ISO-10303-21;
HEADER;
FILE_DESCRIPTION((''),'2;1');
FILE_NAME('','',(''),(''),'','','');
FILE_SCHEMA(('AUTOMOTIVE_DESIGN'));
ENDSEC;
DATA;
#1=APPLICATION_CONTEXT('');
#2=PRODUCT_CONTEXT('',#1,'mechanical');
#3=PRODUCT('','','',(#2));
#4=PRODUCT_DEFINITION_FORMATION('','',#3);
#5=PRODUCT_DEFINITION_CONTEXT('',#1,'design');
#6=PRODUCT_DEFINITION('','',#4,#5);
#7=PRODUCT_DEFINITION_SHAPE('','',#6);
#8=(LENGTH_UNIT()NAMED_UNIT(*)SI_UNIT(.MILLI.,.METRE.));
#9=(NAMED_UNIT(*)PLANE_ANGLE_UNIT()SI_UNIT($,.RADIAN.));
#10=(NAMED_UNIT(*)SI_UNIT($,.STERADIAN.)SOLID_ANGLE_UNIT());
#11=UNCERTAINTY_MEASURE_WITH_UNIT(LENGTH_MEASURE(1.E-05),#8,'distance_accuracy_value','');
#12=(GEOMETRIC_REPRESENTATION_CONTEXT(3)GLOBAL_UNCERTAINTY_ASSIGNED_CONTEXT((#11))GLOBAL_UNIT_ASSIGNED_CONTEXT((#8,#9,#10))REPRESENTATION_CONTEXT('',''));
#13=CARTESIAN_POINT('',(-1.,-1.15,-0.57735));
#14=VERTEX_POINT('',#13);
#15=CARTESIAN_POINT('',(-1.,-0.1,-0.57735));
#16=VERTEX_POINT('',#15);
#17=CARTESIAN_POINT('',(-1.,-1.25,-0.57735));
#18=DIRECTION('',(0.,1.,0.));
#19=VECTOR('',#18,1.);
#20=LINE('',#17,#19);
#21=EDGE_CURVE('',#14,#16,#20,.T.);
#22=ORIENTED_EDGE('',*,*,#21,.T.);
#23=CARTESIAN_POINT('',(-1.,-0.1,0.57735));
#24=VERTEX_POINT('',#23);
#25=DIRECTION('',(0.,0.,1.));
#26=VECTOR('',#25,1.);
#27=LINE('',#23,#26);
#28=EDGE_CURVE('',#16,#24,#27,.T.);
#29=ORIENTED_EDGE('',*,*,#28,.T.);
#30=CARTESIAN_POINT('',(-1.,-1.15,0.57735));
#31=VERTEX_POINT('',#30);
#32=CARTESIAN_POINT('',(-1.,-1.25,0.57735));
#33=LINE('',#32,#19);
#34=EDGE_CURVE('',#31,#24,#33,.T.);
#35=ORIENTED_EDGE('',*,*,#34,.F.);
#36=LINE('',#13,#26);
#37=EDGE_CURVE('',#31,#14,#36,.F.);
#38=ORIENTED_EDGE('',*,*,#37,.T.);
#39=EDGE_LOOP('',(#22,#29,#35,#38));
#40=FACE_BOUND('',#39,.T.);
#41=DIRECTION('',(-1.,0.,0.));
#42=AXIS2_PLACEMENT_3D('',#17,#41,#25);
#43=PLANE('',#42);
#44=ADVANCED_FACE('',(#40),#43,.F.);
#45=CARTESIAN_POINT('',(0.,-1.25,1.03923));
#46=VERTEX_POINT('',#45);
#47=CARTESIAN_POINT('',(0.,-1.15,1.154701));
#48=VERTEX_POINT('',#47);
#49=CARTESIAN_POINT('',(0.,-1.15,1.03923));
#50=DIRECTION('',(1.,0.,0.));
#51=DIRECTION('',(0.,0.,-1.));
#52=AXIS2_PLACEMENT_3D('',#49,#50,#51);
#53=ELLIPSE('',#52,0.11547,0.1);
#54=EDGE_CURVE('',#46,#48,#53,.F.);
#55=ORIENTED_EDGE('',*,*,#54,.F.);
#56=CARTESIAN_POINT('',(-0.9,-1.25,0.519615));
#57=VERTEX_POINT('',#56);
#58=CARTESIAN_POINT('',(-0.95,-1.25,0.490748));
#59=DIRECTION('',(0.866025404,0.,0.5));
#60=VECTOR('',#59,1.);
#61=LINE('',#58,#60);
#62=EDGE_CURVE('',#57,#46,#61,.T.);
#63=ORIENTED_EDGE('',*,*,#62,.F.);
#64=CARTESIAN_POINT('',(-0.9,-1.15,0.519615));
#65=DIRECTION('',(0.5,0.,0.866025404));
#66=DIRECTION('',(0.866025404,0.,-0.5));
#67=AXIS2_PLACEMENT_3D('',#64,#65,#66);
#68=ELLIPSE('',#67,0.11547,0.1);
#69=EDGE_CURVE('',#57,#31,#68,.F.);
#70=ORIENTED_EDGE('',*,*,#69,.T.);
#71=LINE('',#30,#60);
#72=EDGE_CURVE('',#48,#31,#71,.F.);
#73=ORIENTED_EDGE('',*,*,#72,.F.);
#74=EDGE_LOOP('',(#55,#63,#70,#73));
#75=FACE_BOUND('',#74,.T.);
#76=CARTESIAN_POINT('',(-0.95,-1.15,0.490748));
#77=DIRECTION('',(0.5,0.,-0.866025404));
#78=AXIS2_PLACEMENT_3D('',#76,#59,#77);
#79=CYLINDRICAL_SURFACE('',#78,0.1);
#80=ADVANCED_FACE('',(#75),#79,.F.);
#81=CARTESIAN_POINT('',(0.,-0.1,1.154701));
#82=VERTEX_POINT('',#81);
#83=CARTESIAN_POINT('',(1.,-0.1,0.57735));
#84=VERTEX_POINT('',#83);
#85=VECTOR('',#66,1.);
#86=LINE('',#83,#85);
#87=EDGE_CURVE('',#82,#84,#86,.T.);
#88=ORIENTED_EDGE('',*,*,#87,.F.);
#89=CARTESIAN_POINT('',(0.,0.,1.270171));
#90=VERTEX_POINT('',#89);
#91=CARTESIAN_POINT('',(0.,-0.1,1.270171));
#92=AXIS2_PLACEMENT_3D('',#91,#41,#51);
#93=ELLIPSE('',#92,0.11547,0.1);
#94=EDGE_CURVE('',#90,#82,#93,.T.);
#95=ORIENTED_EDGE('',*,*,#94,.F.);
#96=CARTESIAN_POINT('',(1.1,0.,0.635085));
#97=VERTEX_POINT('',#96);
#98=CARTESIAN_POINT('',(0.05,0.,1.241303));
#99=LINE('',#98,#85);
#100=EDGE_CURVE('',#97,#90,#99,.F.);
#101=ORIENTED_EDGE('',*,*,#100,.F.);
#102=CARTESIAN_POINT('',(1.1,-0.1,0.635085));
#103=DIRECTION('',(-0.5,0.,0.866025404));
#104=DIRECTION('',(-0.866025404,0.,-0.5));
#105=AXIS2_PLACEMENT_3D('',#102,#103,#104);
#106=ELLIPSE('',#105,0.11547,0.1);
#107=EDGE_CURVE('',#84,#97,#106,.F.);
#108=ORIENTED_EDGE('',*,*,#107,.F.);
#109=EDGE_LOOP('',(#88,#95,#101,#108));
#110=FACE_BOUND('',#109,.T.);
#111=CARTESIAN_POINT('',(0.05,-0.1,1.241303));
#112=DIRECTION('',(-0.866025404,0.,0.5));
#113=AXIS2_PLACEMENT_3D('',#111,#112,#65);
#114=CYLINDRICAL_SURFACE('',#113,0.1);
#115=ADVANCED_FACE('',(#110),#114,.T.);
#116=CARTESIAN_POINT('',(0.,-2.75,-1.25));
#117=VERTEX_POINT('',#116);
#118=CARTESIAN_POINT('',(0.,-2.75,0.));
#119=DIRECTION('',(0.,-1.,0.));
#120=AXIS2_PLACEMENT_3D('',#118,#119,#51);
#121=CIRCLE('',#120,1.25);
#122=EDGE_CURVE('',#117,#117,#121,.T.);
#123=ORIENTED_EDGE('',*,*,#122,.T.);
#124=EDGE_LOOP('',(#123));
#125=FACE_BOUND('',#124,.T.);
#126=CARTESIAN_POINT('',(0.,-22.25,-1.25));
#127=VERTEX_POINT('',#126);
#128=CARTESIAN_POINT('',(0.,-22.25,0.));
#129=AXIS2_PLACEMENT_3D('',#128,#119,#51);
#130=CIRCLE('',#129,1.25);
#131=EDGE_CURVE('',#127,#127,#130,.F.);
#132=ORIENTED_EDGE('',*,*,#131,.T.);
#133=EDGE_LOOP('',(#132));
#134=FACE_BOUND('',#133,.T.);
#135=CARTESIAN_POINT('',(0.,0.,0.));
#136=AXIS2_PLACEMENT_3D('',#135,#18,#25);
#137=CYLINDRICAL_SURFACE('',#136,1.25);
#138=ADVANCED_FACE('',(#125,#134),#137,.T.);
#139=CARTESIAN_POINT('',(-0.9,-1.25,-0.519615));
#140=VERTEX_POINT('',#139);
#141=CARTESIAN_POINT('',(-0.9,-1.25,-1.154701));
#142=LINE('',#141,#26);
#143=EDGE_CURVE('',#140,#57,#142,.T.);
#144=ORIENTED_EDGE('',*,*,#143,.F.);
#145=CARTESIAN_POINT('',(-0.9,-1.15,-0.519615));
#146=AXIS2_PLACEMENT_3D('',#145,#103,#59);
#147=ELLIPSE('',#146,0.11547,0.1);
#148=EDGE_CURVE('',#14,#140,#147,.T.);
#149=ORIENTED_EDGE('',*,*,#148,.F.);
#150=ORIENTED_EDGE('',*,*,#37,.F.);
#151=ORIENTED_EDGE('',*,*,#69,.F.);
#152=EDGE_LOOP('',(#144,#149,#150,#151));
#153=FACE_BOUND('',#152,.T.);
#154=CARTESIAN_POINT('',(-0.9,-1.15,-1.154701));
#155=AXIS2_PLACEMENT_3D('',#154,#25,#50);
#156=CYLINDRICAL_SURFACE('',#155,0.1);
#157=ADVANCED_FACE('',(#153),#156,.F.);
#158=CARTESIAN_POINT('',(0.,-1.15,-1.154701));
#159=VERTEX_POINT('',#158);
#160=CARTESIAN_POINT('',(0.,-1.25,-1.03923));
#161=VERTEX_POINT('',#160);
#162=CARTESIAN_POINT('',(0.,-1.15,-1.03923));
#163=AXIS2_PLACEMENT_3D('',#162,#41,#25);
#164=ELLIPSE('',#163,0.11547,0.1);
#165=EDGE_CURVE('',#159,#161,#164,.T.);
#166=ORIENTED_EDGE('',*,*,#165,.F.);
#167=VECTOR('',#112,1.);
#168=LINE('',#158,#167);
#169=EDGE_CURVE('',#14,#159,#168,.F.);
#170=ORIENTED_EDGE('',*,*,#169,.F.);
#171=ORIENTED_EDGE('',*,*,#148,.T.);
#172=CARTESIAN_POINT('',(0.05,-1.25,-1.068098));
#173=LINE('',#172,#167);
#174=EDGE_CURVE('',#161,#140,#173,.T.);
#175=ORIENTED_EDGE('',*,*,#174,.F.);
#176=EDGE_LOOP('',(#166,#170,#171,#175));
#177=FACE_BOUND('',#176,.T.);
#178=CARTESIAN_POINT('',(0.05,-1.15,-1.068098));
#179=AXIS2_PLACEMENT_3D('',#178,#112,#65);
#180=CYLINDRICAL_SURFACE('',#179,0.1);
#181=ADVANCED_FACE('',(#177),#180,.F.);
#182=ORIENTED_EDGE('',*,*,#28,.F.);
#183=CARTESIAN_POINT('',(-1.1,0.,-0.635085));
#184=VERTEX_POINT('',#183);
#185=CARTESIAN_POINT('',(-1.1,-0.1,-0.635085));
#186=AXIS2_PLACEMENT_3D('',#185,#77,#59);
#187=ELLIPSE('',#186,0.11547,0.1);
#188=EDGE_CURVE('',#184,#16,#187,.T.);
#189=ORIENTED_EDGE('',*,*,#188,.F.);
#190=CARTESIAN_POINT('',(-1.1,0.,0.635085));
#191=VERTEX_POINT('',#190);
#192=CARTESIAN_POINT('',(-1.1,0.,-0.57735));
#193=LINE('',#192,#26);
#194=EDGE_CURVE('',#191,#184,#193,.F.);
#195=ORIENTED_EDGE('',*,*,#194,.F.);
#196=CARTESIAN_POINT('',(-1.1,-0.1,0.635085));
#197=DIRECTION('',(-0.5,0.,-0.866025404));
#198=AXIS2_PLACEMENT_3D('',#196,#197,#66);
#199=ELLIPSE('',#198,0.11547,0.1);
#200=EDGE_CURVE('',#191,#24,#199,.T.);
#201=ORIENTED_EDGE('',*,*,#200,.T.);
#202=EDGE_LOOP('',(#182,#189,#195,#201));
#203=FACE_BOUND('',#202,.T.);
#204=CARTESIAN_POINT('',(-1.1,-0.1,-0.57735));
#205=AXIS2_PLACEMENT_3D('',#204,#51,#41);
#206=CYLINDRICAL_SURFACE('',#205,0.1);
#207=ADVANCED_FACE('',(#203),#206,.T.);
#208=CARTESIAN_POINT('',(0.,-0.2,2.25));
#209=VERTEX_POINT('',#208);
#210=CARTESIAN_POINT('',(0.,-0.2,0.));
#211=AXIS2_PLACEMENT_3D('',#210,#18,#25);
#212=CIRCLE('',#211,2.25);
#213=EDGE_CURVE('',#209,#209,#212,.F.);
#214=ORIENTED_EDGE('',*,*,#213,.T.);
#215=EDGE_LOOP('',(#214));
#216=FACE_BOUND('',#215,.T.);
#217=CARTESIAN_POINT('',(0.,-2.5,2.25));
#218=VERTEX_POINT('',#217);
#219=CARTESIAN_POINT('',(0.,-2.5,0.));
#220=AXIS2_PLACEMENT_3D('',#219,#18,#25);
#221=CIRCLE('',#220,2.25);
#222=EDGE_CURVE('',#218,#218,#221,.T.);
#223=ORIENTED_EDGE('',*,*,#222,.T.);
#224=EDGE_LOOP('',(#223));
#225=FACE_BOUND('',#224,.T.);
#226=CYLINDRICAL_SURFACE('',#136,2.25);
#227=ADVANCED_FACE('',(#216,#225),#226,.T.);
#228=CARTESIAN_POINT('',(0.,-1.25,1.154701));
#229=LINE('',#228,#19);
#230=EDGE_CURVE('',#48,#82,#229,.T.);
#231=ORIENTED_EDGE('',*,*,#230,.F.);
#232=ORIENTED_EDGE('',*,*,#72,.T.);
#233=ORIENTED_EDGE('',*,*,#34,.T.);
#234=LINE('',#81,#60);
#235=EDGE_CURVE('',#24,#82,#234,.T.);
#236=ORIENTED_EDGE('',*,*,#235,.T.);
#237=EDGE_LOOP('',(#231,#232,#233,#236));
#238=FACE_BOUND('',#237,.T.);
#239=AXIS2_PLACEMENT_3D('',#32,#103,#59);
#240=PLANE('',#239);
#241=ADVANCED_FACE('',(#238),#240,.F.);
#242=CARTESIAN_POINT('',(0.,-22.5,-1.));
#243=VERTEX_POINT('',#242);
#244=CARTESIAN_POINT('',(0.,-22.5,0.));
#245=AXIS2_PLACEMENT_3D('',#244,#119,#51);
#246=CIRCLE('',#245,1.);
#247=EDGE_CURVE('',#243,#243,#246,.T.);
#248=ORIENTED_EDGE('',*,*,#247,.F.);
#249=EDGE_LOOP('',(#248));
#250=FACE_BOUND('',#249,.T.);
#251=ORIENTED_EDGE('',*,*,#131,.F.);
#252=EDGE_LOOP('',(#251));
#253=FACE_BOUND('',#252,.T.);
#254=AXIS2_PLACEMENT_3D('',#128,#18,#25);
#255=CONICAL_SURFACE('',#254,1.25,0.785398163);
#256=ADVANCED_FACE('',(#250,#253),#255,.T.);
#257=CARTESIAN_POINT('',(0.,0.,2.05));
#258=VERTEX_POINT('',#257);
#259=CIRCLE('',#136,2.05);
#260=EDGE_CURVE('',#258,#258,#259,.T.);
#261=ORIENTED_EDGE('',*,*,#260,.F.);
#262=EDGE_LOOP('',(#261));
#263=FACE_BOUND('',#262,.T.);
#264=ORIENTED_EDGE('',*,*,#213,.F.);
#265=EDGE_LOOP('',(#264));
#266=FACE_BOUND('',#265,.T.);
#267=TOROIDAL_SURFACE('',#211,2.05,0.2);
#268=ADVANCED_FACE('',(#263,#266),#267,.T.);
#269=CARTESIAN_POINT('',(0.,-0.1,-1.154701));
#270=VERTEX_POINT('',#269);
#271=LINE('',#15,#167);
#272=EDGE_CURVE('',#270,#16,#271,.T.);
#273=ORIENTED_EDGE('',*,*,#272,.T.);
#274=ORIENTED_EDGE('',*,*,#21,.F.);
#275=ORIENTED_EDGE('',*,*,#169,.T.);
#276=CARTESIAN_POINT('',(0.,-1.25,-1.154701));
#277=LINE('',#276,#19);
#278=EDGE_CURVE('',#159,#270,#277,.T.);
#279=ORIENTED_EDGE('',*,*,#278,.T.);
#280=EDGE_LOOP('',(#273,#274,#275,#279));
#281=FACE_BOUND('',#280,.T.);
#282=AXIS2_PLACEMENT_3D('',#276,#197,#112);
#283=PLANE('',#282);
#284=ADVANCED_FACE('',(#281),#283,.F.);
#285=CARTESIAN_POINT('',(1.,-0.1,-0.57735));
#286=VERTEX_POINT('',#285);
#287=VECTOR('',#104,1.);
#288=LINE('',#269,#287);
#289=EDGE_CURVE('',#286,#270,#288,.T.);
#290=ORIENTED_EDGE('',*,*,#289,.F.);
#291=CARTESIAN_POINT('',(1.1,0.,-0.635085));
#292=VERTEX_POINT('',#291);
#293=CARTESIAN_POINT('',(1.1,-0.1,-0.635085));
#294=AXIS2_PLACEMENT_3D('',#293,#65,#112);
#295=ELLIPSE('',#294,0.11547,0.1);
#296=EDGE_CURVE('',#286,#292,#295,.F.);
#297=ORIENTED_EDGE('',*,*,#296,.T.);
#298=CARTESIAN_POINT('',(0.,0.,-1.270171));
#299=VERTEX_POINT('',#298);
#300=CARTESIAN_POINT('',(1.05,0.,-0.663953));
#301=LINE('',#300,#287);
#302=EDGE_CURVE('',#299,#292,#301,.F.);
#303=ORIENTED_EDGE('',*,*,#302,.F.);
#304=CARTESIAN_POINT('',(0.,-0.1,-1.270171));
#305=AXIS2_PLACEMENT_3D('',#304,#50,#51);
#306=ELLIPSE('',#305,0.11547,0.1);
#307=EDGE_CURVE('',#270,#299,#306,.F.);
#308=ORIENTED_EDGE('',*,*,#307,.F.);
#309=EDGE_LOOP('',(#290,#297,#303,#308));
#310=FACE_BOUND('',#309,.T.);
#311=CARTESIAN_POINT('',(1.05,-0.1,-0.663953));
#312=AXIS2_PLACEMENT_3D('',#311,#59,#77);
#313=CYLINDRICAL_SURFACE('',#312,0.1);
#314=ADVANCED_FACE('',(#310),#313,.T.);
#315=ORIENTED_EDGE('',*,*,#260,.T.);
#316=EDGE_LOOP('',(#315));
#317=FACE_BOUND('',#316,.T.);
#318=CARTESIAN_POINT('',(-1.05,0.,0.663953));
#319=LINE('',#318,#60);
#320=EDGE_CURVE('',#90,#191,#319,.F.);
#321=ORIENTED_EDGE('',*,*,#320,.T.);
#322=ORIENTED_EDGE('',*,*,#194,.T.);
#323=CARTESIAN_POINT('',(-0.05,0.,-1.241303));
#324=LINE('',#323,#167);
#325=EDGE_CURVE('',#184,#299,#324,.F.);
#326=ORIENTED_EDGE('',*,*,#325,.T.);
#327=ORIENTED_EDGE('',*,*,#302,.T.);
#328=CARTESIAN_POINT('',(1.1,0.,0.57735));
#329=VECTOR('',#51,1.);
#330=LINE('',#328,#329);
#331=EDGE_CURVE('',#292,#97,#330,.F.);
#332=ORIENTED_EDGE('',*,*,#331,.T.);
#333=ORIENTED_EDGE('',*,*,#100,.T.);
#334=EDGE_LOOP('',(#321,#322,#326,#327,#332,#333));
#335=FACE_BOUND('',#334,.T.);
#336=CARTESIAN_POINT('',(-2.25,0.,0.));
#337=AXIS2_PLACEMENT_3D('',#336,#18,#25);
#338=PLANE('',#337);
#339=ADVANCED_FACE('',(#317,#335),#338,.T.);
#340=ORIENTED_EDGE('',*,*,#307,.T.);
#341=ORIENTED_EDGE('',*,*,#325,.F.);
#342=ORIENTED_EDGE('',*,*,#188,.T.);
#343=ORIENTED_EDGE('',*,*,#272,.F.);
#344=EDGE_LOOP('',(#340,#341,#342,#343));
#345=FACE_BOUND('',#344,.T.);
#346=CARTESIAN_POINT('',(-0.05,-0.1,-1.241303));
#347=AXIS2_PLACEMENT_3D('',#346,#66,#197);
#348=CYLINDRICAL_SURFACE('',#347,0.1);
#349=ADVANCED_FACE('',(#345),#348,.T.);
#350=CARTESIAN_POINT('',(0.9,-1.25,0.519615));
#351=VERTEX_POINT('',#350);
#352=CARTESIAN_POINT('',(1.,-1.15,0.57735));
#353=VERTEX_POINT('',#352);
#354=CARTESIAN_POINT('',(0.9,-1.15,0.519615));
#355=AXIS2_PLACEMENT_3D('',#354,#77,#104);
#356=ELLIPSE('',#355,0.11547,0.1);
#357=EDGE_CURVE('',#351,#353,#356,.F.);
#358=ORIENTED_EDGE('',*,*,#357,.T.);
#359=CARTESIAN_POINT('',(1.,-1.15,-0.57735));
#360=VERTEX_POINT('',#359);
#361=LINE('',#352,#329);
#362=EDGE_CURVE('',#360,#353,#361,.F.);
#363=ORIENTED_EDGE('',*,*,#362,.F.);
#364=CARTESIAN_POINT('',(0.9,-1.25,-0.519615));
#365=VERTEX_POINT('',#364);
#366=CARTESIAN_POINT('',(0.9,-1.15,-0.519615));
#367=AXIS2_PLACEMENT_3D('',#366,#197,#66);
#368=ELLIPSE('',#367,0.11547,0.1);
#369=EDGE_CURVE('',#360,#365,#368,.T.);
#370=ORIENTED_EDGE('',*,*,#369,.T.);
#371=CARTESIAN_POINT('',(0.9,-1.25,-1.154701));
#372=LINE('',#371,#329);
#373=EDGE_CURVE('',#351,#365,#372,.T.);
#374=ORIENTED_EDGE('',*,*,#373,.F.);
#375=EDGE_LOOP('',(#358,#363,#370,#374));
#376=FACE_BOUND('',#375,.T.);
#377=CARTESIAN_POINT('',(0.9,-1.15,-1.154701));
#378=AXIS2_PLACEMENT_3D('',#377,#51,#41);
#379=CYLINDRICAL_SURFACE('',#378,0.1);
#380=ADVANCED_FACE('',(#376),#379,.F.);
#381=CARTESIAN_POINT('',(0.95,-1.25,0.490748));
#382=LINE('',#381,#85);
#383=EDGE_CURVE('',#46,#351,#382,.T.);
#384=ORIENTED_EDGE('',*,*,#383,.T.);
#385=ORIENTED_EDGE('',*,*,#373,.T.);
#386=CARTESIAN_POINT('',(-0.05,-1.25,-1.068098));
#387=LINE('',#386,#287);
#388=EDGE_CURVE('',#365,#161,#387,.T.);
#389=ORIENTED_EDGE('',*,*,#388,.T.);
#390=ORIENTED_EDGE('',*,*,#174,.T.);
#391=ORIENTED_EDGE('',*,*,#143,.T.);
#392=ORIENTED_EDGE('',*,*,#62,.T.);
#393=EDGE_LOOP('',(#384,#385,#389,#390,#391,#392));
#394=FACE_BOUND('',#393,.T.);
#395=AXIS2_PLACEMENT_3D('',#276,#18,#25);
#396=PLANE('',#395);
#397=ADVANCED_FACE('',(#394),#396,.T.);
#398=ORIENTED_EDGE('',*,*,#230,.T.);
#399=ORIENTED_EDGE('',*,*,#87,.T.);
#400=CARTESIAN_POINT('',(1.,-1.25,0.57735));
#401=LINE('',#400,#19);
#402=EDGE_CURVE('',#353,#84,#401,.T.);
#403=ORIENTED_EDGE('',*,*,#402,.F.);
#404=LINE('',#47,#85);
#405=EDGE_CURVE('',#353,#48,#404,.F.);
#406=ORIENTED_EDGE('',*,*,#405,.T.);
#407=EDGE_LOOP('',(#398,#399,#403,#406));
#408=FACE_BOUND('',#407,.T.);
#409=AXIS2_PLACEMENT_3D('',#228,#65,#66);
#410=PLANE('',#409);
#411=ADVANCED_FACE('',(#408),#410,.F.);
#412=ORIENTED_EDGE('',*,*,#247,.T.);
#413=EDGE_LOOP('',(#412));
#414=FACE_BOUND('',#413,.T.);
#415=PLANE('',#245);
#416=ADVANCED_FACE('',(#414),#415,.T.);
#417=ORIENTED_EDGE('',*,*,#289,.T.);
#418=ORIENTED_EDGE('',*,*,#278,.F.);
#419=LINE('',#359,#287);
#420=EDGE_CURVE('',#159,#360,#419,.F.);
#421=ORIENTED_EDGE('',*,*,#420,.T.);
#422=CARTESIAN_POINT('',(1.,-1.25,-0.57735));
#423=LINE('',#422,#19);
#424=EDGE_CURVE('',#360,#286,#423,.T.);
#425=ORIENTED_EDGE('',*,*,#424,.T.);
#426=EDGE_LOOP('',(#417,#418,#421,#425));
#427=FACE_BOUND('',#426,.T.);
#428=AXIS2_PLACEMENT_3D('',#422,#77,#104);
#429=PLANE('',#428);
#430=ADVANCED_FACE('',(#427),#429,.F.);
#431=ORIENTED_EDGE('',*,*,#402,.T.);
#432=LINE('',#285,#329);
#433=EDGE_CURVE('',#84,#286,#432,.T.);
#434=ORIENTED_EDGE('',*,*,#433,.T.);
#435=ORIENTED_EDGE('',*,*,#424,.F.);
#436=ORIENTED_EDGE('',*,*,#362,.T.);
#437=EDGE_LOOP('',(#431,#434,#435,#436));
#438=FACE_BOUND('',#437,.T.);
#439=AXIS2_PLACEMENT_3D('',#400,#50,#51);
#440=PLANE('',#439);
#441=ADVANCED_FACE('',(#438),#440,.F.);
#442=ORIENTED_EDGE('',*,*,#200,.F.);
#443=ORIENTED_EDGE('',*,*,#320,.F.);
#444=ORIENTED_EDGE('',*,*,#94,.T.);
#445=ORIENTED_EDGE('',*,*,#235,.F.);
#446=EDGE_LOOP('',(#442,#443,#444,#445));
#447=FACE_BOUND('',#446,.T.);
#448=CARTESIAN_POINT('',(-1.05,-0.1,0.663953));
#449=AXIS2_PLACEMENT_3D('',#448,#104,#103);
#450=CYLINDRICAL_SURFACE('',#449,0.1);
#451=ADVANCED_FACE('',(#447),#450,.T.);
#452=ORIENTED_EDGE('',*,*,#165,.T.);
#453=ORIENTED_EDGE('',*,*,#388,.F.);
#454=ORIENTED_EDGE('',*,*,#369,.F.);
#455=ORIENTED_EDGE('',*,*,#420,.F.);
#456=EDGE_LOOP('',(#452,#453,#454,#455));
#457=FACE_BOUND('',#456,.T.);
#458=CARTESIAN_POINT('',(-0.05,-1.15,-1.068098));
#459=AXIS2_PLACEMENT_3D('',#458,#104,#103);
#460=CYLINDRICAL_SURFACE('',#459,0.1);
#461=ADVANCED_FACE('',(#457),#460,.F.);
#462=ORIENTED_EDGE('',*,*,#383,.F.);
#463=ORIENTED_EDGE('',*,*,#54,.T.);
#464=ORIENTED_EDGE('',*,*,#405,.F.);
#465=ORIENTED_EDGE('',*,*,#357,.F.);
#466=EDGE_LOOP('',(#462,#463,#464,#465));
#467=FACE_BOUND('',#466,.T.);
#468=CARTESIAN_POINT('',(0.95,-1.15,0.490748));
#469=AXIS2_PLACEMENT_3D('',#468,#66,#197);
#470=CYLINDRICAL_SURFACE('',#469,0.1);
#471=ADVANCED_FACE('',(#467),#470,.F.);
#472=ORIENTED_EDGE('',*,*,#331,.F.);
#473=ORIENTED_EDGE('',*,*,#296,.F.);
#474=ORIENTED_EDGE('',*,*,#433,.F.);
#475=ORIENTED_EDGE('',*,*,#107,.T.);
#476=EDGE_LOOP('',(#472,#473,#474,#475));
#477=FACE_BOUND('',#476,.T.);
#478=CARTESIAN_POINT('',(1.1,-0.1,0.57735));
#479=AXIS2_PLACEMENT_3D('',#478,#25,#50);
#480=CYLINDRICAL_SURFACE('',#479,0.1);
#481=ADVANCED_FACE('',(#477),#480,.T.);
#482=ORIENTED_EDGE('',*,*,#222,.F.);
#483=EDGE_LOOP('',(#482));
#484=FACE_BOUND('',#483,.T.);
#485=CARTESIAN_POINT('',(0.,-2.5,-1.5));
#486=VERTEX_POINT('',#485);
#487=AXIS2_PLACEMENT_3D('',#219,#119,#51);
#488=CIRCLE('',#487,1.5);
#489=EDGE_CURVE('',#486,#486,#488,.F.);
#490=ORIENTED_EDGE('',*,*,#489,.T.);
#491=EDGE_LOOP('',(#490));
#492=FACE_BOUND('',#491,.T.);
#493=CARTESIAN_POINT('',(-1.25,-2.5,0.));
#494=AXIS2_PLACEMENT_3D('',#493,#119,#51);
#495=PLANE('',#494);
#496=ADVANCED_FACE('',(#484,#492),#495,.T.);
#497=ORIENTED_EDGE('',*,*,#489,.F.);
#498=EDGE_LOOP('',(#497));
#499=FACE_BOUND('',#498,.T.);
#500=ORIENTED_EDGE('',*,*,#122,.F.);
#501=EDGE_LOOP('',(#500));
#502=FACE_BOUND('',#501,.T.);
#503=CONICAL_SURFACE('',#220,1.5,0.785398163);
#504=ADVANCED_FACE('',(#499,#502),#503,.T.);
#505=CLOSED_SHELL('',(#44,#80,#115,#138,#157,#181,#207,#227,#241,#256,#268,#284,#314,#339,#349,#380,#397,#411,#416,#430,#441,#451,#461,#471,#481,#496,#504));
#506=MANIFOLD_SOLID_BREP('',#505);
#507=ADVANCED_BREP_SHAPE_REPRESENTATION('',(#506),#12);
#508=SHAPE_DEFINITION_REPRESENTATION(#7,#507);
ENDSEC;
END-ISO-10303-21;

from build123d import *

# Parameters (mm, degrees)
CHAMFER1_SIZE      = 0.25
FILLET1_R          = 0.2
CUT_EXTRUDE1_DEPTH = 1.25
FILLET2_R          = 0.1


with BuildPart() as part:
    # Sketch1 → Revolve1 (revolve)
    with BuildSketch(Plane.XY, mode=Mode.PRIVATE) as revolve1_sk:
        Polygon((0, -22.5), (-1.25, -22.5), (-1.25, -2.5), (-2.25, -2.5), (-2.25, 0), (0, 0), align=None)
    revolve(revolve1_sk.sketch.rotate(Axis((0, 0, 0), (0, -1, 0)), 270), axis=Axis((0, 0, 0), (0, -1, 0)))

    # Chamfer1
    chamfer1_edges = [part.edges().sort_by_distance(p)[0] for p in [
        (0, -2.5, -1.25),
        (0, -22.5, -1.25),
    ]]
    chamfer(chamfer1_edges, length=CHAMFER1_SIZE)

    # Fillet1
    fillet1_edges = [part.edges().sort_by_distance(p)[0] for p in [
        (0, 0, -2.25),
    ]]
    fillet(fillet1_edges, radius=FILLET1_R)

    # Sketch2 → Cut-Extrude1 (cut)
    with BuildSketch(Plane(origin=(0, 0, 0), x_dir=(1, 0, 0), z_dir=(0, 1, 0))):
        Polygon((0, 1.154700538), (-1, 0.577350269), (-1, -0.577350269), (0, -1.154700538), (1, -0.577350269), (1, 0.577350269), align=None)
    extrude(amount=-CUT_EXTRUDE1_DEPTH, mode=Mode.SUBTRACT)

    # Fillet2
    fillet2_edges = [part.edges().sort_by_distance(p)[0] for p in [
        (0.5, -1.25, -0.866025404),
        (1, -1.25, 0),
        (0.5, -1.25, 0.866025404),
        (-0.5, -1.25, 0.866025404),
        (-1, -1.25, 0),
        (-0.5, -1.25, -0.866025404),
        (0.4999999999999987, 0, -0.8660254037844397),
        (-0.5000000000000006, 0, -0.8660254037844395),
        (-1, 0, 0),
        (-0.5000000000000007, 0, 0.8660254037844379),
        (0.4999999999999988, 0, 0.8660254037844382),
        (1, 0, 0),
    ]]
    fillet(fillet2_edges, radius=FILLET2_R)


solid = part.part
